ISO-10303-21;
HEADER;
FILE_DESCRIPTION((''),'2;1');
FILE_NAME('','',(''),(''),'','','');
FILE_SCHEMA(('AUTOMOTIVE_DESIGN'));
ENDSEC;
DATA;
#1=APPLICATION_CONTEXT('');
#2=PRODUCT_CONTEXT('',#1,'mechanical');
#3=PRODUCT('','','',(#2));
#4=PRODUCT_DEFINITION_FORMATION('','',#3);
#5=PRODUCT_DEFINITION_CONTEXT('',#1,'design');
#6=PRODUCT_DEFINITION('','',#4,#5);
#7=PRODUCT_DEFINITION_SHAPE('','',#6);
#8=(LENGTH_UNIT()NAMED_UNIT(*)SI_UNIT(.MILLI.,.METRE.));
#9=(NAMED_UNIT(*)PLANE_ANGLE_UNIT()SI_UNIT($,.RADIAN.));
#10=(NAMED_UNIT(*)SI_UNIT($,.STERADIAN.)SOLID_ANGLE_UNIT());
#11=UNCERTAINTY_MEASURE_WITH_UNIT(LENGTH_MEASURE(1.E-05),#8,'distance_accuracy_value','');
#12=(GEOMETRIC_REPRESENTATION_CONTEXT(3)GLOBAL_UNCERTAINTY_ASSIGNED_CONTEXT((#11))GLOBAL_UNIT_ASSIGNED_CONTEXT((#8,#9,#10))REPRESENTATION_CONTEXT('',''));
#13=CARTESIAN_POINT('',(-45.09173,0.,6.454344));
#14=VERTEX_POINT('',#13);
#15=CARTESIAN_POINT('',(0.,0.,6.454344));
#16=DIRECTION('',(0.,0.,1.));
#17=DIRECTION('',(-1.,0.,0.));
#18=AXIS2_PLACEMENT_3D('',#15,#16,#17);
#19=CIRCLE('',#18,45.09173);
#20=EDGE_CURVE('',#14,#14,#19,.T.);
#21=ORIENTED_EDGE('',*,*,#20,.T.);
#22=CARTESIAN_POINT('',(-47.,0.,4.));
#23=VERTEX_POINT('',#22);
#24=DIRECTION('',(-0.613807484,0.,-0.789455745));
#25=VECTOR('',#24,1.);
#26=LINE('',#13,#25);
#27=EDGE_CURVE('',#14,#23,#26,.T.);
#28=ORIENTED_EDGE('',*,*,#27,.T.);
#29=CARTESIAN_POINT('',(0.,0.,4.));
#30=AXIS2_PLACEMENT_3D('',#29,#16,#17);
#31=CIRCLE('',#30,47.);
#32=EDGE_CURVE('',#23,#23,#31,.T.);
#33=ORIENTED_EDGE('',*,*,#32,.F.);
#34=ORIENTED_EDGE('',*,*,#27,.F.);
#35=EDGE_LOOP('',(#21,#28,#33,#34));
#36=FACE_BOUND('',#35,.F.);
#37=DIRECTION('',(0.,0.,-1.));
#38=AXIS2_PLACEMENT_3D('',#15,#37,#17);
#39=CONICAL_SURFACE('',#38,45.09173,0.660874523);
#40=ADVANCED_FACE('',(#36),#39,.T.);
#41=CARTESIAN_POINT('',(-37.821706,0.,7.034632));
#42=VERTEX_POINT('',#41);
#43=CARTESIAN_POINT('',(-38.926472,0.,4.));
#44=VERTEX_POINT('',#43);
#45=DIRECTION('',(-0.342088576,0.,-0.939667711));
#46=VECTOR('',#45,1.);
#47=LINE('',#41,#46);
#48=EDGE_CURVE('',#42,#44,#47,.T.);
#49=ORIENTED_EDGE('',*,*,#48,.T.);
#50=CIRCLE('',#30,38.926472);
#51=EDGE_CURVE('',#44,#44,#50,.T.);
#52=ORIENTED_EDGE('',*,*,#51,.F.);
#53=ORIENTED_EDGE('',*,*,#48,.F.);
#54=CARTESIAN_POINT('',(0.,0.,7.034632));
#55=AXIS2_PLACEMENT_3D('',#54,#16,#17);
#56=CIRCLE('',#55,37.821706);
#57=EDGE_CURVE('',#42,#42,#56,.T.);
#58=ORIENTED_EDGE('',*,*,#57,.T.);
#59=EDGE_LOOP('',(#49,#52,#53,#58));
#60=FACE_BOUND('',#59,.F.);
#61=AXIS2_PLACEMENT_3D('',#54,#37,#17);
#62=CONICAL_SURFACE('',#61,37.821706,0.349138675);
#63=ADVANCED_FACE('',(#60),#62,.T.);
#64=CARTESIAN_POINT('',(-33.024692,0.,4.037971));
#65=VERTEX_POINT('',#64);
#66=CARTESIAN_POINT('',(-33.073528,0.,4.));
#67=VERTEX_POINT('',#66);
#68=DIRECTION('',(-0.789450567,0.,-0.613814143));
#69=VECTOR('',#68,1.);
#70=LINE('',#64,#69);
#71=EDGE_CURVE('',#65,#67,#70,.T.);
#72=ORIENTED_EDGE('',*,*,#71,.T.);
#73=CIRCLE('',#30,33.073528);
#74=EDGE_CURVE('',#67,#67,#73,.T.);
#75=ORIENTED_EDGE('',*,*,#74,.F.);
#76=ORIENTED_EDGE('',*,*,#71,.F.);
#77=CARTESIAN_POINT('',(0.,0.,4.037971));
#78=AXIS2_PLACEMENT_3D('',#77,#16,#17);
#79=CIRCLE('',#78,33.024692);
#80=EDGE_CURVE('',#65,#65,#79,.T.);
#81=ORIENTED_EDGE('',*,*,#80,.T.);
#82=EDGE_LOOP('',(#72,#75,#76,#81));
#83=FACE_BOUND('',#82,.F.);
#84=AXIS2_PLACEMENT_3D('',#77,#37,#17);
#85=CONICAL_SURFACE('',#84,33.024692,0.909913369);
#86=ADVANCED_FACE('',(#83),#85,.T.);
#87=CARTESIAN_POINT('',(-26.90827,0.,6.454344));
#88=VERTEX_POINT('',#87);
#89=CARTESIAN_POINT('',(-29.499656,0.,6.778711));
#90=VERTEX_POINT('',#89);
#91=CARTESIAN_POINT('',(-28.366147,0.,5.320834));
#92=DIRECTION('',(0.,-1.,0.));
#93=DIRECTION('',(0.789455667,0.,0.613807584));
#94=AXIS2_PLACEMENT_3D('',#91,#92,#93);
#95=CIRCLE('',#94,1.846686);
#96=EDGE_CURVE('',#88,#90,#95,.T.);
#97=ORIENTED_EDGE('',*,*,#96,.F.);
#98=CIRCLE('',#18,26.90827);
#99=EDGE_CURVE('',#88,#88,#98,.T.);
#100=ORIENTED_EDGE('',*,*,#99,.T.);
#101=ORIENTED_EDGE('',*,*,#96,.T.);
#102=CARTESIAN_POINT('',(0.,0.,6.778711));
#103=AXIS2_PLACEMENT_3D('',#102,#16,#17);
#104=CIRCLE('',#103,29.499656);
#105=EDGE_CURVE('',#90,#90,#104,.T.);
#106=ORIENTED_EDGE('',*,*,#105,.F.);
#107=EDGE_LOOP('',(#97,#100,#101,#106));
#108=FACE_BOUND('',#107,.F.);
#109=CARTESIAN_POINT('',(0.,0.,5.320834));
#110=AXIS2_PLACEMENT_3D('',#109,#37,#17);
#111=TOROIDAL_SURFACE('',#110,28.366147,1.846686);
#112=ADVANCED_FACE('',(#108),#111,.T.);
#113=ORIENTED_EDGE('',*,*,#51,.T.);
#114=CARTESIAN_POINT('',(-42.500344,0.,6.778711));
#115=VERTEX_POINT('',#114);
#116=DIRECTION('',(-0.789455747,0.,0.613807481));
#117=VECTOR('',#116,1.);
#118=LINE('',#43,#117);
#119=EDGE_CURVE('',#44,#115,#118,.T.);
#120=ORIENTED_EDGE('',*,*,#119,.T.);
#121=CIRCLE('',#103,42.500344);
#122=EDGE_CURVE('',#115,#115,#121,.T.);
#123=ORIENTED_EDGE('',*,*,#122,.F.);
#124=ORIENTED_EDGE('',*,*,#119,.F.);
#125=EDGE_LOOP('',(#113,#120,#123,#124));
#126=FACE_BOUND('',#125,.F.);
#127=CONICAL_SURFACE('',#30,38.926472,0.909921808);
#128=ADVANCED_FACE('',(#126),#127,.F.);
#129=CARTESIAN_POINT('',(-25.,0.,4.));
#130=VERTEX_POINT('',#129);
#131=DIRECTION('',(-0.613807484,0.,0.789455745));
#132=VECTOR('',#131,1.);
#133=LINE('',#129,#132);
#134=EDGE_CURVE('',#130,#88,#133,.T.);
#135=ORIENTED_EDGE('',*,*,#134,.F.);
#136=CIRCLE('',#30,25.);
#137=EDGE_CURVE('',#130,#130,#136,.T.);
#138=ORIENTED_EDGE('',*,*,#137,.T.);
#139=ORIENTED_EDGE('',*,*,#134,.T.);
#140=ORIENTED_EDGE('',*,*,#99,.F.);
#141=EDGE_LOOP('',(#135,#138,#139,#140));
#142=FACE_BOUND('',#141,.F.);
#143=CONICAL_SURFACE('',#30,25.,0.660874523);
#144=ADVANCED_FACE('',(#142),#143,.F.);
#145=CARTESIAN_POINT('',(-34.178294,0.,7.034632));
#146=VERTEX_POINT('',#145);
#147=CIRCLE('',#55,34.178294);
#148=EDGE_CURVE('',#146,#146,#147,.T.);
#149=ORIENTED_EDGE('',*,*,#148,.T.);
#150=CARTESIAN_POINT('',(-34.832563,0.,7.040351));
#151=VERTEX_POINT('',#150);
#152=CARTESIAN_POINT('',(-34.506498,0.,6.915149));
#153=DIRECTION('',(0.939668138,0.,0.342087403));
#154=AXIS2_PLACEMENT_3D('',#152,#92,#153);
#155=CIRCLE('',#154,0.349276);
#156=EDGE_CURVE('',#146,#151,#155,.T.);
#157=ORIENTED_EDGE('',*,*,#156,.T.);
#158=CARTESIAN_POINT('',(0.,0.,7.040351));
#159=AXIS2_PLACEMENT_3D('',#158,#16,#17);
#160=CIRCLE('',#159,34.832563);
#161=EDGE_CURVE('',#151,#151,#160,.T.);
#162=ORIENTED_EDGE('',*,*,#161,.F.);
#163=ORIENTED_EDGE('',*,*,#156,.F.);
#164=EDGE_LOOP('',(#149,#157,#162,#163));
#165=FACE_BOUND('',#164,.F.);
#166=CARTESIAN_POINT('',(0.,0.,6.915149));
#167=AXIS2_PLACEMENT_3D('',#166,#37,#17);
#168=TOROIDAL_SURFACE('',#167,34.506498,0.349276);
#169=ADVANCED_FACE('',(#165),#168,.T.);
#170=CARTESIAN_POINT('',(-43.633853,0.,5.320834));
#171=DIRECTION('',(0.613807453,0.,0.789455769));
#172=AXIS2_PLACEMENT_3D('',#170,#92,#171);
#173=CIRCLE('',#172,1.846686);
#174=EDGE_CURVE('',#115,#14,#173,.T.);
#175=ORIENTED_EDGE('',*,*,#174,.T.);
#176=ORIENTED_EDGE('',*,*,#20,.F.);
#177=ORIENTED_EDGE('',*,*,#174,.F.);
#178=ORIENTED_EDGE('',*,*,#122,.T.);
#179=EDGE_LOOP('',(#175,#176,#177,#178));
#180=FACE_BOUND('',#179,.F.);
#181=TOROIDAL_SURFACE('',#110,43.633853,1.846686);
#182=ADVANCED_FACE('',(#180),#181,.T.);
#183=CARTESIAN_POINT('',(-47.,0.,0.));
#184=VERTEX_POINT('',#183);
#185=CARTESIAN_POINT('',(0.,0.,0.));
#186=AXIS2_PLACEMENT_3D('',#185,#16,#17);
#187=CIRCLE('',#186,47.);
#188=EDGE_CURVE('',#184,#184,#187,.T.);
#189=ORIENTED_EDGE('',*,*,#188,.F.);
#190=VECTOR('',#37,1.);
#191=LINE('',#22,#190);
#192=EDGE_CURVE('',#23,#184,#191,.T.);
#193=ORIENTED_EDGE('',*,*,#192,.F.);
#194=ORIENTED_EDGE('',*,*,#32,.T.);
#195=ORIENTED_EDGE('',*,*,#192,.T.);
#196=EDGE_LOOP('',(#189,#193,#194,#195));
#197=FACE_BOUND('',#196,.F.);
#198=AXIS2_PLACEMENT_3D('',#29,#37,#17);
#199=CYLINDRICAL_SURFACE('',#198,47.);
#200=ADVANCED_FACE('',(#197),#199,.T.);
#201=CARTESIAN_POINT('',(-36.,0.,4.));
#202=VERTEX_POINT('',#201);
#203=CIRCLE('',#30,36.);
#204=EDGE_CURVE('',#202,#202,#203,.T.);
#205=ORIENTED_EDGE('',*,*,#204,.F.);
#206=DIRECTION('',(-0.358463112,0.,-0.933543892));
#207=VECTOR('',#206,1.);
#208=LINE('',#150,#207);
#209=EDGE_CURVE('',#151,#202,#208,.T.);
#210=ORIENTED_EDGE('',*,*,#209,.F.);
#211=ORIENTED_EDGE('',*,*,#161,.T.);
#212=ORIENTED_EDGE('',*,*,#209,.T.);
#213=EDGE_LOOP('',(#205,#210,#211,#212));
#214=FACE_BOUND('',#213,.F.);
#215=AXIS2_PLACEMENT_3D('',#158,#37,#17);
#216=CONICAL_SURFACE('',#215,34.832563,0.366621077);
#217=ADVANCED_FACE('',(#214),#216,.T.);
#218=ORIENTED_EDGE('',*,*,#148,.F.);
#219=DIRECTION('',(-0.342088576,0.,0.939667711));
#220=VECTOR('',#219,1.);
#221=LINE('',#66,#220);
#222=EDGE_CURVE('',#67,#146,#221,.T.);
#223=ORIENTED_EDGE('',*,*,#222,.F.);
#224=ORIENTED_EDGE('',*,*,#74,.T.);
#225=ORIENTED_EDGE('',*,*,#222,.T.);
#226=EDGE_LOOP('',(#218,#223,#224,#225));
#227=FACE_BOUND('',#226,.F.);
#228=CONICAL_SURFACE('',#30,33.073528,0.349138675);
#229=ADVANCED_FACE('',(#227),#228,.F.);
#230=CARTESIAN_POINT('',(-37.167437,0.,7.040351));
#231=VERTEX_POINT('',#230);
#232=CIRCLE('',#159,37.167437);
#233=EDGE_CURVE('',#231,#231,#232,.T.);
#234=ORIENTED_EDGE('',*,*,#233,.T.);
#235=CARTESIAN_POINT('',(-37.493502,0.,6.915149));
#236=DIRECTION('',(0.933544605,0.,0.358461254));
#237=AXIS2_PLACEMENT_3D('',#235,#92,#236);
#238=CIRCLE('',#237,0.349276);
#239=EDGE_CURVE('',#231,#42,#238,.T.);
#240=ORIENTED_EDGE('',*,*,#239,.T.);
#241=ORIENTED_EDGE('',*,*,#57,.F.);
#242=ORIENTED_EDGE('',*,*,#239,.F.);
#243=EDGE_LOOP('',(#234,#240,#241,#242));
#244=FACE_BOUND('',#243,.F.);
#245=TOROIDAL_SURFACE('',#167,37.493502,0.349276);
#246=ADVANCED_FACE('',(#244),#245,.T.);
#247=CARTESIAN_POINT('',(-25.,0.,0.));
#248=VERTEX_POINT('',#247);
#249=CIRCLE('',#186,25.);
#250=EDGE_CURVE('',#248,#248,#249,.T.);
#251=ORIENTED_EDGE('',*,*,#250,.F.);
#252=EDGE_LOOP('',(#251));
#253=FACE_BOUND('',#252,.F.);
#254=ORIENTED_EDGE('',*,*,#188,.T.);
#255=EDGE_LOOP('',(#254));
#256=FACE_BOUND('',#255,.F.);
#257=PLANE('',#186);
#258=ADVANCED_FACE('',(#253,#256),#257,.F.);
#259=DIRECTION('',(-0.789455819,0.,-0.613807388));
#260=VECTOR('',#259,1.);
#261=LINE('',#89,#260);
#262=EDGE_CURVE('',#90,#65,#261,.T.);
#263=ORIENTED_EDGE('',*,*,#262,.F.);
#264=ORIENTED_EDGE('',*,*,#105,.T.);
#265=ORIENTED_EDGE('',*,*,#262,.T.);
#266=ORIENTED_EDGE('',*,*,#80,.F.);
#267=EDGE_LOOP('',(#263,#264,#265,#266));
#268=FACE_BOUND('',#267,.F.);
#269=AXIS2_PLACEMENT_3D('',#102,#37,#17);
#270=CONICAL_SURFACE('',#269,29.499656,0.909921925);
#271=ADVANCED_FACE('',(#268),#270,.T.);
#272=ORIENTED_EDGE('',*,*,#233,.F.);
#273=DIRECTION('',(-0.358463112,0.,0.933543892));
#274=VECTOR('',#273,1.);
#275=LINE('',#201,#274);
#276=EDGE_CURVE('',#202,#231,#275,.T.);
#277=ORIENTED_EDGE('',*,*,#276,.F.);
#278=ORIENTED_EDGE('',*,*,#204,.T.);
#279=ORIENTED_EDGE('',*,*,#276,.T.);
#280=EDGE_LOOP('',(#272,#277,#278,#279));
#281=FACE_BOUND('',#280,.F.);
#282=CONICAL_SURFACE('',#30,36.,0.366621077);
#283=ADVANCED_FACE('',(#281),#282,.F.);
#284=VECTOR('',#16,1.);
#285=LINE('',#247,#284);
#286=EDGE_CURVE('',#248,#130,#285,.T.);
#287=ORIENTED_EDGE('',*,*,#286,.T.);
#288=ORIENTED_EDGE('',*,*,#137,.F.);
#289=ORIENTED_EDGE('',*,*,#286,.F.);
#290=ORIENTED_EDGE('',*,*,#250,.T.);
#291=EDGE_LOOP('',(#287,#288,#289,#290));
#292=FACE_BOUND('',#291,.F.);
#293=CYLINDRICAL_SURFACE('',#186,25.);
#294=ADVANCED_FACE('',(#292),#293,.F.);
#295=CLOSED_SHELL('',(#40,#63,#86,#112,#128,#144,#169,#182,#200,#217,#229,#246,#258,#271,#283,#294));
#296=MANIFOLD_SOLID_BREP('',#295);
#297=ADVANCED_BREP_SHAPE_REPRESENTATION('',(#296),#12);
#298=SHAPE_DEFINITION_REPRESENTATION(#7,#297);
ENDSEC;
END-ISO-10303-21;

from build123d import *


with BuildPart() as f1:
    # F0 (on Front) → F1 (revolve)
    with BuildSketch(Plane.XZ):
        with BuildLine():
            Line((-47, 0), (-25, 0))
            Line((-25, 0), (-25, 3.982928))
            Line((-25, 3.982928), (-25.021957, 4))
            Line((-25.021957, 4), (-25, 4))
            Line((-25, 4), (-26.90827, 6.454344))
            ThreePointArc((-26.90827, 6.454344), (-28.136784, 7.153221), (-29.499656, 6.778711))
            Line((-29.499656, 6.778711), (-33.024692, 4.037971))
            Line((-33.024692, 4.037971), (-33.054214, 4))
            Line((-33.054214, 4), (-33.073528, 4))
            Line((-33.073528, 4), (-34.178294, 7.034632))
            ThreePointArc((-34.178294, 7.034632), (-34.503445, 7.264412), (-34.832563, 7.040351))
            Line((-34.832563, 7.040351), (-36, 4))
            Line((-36, 4), (-37.167437, 7.040351))
            ThreePointArc((-37.167437, 7.040351), (-37.496555, 7.264412), (-37.821706, 7.034632))
            Line((-37.821706, 7.034632), (-38.926472, 4))
            Line((-38.926472, 4), (-42.500344, 6.778711))
            ThreePointArc((-42.500344, 6.778711), (-43.863216, 7.153221), (-45.09173, 6.454344))
            Line((-45.09173, 6.454344), (-47, 4))
            Line((-47, 4), (-47, 0))
        make_face()
        Polygon((-25.021957, 4), (-25, 3.982928), (-25, 4), align=None)
        Polygon((-33.054214, 4), (-33.024692, 4.037971), (-33.073528, 4), align=None)
    revolve(axis=Axis((0, 0, 2), (0, 0, 1)))


solid = f1.part
